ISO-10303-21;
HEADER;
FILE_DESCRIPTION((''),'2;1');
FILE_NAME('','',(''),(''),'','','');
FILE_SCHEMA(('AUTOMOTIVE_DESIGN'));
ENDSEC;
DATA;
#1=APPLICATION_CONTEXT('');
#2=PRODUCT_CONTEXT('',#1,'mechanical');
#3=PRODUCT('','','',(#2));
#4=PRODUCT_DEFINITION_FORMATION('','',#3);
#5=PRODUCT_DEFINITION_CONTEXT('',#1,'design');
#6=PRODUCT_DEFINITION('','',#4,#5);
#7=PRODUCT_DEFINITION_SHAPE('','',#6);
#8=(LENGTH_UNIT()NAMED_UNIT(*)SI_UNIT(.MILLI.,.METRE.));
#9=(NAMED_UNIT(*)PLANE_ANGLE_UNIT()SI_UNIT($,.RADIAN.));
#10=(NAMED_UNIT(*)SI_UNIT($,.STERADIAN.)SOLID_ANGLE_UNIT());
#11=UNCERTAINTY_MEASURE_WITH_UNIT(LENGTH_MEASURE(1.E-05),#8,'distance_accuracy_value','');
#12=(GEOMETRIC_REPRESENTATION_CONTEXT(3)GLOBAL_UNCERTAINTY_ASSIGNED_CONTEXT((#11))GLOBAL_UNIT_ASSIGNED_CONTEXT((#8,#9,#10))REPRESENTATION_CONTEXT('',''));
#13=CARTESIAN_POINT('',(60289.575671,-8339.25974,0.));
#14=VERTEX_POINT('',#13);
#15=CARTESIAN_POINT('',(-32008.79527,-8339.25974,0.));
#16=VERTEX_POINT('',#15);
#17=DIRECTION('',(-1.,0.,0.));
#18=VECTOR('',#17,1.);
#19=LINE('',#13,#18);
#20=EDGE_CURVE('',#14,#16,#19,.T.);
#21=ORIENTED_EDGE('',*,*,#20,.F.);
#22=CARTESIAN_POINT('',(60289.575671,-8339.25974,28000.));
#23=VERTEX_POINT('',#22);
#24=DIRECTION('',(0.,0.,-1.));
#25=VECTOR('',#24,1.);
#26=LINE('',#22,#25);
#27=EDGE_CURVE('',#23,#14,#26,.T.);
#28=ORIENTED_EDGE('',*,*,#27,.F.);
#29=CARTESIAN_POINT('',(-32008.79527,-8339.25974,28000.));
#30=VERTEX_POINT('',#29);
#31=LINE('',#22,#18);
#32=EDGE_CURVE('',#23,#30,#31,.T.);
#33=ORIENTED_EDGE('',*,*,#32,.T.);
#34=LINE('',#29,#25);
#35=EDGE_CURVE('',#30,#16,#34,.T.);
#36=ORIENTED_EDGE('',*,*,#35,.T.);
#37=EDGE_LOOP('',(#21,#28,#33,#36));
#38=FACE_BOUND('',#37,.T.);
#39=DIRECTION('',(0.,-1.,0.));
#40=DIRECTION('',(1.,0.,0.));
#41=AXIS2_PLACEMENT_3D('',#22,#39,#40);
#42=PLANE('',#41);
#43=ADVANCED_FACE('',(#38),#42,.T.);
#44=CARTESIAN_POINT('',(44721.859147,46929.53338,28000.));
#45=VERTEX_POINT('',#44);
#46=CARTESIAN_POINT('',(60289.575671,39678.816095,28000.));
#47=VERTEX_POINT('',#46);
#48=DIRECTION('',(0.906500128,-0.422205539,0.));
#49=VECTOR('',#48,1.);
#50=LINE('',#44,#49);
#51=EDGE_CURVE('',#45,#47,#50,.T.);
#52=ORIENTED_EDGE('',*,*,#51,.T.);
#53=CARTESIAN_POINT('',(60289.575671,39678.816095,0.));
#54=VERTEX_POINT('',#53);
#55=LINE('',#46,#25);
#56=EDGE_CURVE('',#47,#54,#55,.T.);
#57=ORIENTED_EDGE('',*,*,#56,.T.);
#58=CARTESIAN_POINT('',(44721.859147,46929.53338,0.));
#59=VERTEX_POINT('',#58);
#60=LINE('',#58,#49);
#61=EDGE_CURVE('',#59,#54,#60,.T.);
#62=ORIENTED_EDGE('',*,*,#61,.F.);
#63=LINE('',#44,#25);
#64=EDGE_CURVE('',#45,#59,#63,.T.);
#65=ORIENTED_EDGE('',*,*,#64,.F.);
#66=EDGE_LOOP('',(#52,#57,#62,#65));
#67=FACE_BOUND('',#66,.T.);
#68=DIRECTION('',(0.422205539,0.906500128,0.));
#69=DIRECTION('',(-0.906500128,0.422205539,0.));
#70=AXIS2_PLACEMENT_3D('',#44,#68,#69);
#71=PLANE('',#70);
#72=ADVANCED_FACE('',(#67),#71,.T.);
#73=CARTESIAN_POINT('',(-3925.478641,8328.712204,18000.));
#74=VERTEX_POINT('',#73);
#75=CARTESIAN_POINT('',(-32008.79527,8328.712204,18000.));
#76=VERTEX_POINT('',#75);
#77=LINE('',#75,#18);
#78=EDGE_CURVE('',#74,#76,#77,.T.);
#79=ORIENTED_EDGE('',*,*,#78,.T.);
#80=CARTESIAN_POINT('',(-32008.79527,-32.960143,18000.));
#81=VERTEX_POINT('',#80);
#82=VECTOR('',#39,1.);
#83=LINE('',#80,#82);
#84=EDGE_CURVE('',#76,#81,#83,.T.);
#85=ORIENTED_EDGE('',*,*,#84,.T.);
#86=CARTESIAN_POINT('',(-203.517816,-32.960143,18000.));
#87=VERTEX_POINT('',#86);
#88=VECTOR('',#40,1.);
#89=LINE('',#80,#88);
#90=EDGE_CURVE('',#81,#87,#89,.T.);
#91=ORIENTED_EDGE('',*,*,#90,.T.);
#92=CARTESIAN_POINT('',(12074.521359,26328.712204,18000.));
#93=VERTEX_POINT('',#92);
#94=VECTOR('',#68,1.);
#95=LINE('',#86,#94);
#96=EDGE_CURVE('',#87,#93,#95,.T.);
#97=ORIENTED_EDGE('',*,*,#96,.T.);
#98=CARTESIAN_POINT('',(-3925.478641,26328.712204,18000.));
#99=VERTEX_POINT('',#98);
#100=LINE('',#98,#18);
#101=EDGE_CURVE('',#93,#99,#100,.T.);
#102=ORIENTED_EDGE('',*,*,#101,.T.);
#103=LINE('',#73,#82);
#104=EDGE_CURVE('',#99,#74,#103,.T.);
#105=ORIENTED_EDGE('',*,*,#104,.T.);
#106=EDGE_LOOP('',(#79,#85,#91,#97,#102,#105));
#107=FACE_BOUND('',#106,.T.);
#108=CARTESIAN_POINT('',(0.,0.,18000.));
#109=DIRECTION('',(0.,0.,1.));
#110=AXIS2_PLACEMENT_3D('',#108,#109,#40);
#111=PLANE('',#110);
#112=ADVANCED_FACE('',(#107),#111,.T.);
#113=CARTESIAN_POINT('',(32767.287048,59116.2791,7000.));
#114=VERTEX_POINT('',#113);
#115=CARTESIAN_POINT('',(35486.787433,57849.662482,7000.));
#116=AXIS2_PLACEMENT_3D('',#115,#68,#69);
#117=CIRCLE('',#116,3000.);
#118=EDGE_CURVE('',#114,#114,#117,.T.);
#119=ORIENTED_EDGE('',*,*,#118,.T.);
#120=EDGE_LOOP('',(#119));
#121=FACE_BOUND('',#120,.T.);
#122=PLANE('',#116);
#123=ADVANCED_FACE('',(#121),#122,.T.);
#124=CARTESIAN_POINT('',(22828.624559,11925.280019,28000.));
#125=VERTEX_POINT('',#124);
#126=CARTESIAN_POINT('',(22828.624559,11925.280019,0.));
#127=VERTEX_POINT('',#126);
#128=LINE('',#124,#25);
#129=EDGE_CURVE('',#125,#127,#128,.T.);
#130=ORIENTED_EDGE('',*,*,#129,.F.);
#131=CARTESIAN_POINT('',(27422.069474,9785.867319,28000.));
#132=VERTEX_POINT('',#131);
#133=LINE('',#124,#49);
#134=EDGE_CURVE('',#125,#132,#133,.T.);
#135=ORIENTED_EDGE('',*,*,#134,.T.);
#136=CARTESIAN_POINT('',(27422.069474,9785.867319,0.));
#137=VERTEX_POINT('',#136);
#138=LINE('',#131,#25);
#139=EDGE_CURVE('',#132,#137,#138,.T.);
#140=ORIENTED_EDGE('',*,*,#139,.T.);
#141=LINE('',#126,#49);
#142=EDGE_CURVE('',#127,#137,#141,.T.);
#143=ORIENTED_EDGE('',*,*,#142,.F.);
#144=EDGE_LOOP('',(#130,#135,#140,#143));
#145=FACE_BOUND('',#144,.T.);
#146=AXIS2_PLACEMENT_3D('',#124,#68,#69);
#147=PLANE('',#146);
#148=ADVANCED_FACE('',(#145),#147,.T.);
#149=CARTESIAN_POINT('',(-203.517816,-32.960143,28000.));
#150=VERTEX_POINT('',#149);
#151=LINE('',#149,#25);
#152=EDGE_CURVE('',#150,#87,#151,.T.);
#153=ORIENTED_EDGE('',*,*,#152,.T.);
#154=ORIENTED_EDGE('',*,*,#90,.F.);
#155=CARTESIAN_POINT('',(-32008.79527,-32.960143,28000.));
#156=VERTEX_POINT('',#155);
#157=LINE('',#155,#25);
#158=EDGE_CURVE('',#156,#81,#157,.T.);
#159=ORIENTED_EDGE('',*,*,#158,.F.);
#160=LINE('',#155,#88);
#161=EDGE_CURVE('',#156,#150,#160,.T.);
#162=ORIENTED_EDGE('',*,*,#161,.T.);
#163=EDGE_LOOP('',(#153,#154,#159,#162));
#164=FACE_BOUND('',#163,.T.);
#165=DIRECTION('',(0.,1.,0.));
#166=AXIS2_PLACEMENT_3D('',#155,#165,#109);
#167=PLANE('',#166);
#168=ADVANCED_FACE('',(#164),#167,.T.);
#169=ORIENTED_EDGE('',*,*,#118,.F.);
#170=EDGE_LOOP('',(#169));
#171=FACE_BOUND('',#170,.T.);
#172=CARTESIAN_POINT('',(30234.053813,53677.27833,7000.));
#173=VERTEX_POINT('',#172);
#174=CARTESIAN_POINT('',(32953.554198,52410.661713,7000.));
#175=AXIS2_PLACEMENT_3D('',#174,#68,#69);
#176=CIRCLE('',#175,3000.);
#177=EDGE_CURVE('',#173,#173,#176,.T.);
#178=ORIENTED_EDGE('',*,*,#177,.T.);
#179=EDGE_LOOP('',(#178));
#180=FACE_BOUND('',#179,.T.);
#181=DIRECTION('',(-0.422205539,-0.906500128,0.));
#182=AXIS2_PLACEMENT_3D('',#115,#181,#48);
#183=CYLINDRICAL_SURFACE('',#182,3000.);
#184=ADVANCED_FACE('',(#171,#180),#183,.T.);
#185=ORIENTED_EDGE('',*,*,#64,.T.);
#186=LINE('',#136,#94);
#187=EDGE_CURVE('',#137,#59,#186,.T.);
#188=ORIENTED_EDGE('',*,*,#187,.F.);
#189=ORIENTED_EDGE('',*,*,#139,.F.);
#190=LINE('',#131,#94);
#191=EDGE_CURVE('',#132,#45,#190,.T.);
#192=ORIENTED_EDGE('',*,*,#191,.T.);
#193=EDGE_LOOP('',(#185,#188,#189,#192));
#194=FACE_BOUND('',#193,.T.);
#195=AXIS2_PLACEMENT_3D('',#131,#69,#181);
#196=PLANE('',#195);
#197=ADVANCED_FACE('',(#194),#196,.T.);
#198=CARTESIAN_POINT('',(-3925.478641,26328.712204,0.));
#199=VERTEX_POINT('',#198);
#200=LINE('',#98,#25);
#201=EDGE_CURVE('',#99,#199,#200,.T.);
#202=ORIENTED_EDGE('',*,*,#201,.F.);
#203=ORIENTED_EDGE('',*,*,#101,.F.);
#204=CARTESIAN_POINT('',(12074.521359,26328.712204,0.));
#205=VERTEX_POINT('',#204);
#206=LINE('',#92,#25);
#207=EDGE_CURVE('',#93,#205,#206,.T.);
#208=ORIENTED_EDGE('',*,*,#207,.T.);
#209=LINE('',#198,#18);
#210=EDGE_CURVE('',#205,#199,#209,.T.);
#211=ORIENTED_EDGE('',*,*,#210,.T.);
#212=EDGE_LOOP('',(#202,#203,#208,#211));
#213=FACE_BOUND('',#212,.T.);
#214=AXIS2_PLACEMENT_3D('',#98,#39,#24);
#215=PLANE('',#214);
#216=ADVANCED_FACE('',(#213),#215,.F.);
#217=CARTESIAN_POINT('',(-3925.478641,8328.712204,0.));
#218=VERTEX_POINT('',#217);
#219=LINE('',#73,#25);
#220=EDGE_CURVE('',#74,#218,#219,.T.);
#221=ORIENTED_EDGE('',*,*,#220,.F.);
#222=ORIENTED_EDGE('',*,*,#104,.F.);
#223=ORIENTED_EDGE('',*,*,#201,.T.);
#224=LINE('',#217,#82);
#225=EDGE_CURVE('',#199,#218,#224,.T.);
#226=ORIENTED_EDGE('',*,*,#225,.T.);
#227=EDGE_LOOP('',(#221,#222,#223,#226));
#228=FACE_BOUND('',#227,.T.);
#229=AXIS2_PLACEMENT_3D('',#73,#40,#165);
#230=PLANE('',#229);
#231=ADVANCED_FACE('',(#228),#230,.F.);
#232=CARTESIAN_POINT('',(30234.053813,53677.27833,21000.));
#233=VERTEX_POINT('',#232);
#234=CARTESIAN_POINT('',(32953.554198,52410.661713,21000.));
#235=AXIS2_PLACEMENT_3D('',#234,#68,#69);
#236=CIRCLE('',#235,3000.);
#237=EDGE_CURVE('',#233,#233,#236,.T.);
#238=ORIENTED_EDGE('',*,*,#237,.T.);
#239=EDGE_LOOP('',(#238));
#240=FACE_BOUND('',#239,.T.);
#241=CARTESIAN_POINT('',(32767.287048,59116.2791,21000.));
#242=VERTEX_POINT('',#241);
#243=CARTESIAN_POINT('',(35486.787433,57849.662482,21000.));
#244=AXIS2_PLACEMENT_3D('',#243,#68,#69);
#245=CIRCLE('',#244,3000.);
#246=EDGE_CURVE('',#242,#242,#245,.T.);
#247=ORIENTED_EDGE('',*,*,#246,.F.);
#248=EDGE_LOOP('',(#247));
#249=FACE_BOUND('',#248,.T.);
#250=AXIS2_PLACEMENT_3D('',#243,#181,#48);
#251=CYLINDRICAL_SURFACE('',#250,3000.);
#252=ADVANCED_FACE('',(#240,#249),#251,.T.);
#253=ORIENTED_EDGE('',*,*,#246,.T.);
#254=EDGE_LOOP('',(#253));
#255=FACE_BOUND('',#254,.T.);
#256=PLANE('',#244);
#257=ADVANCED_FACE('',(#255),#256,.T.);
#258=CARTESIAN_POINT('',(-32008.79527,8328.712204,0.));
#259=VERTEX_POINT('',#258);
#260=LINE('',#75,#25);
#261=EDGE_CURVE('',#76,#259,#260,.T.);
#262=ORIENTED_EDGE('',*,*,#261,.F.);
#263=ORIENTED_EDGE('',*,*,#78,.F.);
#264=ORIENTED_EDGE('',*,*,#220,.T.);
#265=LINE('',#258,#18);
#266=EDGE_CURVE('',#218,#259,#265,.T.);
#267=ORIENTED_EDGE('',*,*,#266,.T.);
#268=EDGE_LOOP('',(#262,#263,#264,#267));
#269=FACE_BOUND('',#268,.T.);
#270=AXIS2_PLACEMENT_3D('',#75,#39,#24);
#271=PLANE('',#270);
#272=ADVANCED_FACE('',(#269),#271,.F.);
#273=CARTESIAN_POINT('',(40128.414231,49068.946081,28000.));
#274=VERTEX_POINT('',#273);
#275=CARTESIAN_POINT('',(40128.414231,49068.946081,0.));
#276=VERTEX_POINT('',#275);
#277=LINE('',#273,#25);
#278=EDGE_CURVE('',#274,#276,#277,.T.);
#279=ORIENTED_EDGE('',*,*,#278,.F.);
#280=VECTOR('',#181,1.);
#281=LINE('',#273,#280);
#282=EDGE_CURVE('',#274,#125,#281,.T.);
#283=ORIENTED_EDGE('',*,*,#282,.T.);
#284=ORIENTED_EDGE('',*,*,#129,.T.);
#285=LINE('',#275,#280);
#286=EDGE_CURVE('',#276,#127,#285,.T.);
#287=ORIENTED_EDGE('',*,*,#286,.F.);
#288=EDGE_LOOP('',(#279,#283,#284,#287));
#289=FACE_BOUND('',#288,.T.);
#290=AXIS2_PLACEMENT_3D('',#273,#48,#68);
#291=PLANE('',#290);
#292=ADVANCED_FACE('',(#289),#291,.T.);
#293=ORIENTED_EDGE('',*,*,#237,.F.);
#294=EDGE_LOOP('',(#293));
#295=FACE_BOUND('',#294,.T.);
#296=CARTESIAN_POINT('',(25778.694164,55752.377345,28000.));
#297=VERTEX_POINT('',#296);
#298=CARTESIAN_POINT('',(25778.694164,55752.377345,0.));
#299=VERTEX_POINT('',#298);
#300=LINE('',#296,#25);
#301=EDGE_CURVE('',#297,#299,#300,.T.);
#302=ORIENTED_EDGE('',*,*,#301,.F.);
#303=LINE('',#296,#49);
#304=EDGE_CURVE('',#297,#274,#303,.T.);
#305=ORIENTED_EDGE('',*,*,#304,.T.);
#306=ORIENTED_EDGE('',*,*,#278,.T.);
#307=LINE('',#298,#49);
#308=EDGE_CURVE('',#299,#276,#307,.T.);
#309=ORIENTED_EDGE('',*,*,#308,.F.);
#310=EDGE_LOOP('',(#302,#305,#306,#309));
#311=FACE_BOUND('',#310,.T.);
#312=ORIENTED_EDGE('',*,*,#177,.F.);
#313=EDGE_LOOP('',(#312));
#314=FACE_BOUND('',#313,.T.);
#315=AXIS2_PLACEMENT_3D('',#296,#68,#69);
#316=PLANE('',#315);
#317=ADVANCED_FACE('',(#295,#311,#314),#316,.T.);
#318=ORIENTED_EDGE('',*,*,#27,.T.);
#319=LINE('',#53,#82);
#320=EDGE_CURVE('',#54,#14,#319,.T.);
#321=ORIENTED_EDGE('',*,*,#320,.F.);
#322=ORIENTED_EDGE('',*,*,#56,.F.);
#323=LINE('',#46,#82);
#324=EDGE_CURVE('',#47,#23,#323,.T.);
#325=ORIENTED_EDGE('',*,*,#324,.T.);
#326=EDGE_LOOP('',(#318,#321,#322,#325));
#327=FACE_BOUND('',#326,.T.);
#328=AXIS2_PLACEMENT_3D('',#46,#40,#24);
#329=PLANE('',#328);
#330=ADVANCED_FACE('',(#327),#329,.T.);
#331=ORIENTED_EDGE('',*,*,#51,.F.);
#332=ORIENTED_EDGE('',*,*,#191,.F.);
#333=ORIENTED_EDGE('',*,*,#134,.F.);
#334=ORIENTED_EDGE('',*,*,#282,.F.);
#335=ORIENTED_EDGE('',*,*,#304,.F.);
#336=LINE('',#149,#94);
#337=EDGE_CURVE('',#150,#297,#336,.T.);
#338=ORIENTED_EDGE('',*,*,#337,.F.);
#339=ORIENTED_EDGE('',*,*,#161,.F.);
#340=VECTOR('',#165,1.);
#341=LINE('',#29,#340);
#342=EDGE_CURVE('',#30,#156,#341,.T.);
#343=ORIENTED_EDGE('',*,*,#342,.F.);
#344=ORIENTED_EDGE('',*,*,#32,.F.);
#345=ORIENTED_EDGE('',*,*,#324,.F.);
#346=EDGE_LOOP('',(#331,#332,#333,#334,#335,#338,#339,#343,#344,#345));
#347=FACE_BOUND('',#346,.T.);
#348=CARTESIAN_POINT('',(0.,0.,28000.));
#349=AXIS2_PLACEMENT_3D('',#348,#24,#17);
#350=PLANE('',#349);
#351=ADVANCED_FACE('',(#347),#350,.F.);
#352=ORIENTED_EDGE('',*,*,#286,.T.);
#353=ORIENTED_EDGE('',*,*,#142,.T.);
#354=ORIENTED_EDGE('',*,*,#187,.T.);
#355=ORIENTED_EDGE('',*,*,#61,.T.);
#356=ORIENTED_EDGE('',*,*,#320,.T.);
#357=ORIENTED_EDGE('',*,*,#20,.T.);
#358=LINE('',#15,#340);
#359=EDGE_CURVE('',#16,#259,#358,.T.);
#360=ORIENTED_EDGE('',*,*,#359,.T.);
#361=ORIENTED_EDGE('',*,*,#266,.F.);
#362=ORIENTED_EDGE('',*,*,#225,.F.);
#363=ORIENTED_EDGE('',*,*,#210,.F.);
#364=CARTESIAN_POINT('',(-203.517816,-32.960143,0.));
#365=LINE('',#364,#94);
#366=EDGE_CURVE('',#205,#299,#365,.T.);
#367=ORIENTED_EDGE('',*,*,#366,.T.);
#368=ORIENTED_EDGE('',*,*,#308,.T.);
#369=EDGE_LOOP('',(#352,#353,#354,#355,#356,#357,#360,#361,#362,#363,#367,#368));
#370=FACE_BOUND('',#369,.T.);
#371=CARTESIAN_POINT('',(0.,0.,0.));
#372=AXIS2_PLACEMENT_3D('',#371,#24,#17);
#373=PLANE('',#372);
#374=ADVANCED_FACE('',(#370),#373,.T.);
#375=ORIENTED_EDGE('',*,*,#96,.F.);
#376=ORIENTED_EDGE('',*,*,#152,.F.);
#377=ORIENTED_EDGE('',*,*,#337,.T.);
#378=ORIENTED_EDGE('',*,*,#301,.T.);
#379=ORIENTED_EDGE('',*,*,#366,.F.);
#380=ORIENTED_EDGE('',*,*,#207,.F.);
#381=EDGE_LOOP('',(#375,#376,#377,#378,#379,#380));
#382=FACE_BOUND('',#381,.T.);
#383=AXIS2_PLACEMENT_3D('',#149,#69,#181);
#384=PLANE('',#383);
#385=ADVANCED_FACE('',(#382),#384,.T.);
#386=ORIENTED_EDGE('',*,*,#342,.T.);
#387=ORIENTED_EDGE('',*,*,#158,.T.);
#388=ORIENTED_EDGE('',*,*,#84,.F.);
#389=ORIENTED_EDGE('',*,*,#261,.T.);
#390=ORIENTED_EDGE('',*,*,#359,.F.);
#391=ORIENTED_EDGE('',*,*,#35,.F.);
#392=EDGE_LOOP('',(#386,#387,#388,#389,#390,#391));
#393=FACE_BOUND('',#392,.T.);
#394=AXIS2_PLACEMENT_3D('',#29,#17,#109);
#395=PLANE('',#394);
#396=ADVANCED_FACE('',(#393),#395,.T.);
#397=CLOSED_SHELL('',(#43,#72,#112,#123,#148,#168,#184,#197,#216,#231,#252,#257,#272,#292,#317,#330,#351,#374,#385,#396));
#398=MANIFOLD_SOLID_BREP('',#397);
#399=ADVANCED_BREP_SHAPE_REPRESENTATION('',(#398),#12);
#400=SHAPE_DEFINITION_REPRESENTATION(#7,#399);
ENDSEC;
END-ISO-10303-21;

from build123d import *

# Parameters (mm, degrees)
BOSS_EXTRUDE3_DEPTH = 28000
BOSS_EXTRUDE4_DEPTH = 18000
SKETCH7_R           = 3000
BOSS_EXTRUDE6_DEPTH = 6000


with BuildPart() as part:
    # Sketch1 → Boss-Extrude3 (new body)
    with BuildSketch(Plane.XY):
        Polygon((60289.575671437, -8339.25974013), (-32008.795270492, -8339.25974013), (-32008.795270492, -32.960143443), (-203.517816426, -32.960143443), (25778.694164292, 55752.377344568), (40128.414231199, 49068.946080529), (22828.624558736, 11925.280019065), (27422.069474156, 9785.867318732), (44721.859146619, 46929.533380197), (60289.575671437, 39678.816094665), align=None)
    extrude(amount=BOSS_EXTRUDE3_DEPTH)

    # Sketch4 → Boss-Extrude4 (add)
    with BuildSketch(Plane.XY):
        Polygon((-32008.795270492, -32.960143443), (-32008.795270492, 8328.712203679), (-3925.478641054, 8328.712203679), (-3925.478641054, 26328.712203679), (12074.521358946, 26328.712203679), (-203.517816426, -32.960143443), align=None)
    extrude(amount=BOSS_EXTRUDE4_DEPTH)

    # Sketch7 → Boss-Extrude6 (add)
    with BuildSketch(Plane(origin=(25933.31858491, 55680.360491129, 0), x_dir=(0.9065001283244669, -0.4222055392196143, 0), z_dir=(0.4222055392196143, 0.9065001283244669, 0))):
        with Locations(Location((7744.3294198, -21000, 0), (0, 0, 180))):
            Circle(SKETCH7_R)
        with Locations(Location((7744.3294198, -7000, 0), (0, 0, 180))):
            Circle(SKETCH7_R)
    extrude(amount=BOSS_EXTRUDE6_DEPTH)


solid = part.part
